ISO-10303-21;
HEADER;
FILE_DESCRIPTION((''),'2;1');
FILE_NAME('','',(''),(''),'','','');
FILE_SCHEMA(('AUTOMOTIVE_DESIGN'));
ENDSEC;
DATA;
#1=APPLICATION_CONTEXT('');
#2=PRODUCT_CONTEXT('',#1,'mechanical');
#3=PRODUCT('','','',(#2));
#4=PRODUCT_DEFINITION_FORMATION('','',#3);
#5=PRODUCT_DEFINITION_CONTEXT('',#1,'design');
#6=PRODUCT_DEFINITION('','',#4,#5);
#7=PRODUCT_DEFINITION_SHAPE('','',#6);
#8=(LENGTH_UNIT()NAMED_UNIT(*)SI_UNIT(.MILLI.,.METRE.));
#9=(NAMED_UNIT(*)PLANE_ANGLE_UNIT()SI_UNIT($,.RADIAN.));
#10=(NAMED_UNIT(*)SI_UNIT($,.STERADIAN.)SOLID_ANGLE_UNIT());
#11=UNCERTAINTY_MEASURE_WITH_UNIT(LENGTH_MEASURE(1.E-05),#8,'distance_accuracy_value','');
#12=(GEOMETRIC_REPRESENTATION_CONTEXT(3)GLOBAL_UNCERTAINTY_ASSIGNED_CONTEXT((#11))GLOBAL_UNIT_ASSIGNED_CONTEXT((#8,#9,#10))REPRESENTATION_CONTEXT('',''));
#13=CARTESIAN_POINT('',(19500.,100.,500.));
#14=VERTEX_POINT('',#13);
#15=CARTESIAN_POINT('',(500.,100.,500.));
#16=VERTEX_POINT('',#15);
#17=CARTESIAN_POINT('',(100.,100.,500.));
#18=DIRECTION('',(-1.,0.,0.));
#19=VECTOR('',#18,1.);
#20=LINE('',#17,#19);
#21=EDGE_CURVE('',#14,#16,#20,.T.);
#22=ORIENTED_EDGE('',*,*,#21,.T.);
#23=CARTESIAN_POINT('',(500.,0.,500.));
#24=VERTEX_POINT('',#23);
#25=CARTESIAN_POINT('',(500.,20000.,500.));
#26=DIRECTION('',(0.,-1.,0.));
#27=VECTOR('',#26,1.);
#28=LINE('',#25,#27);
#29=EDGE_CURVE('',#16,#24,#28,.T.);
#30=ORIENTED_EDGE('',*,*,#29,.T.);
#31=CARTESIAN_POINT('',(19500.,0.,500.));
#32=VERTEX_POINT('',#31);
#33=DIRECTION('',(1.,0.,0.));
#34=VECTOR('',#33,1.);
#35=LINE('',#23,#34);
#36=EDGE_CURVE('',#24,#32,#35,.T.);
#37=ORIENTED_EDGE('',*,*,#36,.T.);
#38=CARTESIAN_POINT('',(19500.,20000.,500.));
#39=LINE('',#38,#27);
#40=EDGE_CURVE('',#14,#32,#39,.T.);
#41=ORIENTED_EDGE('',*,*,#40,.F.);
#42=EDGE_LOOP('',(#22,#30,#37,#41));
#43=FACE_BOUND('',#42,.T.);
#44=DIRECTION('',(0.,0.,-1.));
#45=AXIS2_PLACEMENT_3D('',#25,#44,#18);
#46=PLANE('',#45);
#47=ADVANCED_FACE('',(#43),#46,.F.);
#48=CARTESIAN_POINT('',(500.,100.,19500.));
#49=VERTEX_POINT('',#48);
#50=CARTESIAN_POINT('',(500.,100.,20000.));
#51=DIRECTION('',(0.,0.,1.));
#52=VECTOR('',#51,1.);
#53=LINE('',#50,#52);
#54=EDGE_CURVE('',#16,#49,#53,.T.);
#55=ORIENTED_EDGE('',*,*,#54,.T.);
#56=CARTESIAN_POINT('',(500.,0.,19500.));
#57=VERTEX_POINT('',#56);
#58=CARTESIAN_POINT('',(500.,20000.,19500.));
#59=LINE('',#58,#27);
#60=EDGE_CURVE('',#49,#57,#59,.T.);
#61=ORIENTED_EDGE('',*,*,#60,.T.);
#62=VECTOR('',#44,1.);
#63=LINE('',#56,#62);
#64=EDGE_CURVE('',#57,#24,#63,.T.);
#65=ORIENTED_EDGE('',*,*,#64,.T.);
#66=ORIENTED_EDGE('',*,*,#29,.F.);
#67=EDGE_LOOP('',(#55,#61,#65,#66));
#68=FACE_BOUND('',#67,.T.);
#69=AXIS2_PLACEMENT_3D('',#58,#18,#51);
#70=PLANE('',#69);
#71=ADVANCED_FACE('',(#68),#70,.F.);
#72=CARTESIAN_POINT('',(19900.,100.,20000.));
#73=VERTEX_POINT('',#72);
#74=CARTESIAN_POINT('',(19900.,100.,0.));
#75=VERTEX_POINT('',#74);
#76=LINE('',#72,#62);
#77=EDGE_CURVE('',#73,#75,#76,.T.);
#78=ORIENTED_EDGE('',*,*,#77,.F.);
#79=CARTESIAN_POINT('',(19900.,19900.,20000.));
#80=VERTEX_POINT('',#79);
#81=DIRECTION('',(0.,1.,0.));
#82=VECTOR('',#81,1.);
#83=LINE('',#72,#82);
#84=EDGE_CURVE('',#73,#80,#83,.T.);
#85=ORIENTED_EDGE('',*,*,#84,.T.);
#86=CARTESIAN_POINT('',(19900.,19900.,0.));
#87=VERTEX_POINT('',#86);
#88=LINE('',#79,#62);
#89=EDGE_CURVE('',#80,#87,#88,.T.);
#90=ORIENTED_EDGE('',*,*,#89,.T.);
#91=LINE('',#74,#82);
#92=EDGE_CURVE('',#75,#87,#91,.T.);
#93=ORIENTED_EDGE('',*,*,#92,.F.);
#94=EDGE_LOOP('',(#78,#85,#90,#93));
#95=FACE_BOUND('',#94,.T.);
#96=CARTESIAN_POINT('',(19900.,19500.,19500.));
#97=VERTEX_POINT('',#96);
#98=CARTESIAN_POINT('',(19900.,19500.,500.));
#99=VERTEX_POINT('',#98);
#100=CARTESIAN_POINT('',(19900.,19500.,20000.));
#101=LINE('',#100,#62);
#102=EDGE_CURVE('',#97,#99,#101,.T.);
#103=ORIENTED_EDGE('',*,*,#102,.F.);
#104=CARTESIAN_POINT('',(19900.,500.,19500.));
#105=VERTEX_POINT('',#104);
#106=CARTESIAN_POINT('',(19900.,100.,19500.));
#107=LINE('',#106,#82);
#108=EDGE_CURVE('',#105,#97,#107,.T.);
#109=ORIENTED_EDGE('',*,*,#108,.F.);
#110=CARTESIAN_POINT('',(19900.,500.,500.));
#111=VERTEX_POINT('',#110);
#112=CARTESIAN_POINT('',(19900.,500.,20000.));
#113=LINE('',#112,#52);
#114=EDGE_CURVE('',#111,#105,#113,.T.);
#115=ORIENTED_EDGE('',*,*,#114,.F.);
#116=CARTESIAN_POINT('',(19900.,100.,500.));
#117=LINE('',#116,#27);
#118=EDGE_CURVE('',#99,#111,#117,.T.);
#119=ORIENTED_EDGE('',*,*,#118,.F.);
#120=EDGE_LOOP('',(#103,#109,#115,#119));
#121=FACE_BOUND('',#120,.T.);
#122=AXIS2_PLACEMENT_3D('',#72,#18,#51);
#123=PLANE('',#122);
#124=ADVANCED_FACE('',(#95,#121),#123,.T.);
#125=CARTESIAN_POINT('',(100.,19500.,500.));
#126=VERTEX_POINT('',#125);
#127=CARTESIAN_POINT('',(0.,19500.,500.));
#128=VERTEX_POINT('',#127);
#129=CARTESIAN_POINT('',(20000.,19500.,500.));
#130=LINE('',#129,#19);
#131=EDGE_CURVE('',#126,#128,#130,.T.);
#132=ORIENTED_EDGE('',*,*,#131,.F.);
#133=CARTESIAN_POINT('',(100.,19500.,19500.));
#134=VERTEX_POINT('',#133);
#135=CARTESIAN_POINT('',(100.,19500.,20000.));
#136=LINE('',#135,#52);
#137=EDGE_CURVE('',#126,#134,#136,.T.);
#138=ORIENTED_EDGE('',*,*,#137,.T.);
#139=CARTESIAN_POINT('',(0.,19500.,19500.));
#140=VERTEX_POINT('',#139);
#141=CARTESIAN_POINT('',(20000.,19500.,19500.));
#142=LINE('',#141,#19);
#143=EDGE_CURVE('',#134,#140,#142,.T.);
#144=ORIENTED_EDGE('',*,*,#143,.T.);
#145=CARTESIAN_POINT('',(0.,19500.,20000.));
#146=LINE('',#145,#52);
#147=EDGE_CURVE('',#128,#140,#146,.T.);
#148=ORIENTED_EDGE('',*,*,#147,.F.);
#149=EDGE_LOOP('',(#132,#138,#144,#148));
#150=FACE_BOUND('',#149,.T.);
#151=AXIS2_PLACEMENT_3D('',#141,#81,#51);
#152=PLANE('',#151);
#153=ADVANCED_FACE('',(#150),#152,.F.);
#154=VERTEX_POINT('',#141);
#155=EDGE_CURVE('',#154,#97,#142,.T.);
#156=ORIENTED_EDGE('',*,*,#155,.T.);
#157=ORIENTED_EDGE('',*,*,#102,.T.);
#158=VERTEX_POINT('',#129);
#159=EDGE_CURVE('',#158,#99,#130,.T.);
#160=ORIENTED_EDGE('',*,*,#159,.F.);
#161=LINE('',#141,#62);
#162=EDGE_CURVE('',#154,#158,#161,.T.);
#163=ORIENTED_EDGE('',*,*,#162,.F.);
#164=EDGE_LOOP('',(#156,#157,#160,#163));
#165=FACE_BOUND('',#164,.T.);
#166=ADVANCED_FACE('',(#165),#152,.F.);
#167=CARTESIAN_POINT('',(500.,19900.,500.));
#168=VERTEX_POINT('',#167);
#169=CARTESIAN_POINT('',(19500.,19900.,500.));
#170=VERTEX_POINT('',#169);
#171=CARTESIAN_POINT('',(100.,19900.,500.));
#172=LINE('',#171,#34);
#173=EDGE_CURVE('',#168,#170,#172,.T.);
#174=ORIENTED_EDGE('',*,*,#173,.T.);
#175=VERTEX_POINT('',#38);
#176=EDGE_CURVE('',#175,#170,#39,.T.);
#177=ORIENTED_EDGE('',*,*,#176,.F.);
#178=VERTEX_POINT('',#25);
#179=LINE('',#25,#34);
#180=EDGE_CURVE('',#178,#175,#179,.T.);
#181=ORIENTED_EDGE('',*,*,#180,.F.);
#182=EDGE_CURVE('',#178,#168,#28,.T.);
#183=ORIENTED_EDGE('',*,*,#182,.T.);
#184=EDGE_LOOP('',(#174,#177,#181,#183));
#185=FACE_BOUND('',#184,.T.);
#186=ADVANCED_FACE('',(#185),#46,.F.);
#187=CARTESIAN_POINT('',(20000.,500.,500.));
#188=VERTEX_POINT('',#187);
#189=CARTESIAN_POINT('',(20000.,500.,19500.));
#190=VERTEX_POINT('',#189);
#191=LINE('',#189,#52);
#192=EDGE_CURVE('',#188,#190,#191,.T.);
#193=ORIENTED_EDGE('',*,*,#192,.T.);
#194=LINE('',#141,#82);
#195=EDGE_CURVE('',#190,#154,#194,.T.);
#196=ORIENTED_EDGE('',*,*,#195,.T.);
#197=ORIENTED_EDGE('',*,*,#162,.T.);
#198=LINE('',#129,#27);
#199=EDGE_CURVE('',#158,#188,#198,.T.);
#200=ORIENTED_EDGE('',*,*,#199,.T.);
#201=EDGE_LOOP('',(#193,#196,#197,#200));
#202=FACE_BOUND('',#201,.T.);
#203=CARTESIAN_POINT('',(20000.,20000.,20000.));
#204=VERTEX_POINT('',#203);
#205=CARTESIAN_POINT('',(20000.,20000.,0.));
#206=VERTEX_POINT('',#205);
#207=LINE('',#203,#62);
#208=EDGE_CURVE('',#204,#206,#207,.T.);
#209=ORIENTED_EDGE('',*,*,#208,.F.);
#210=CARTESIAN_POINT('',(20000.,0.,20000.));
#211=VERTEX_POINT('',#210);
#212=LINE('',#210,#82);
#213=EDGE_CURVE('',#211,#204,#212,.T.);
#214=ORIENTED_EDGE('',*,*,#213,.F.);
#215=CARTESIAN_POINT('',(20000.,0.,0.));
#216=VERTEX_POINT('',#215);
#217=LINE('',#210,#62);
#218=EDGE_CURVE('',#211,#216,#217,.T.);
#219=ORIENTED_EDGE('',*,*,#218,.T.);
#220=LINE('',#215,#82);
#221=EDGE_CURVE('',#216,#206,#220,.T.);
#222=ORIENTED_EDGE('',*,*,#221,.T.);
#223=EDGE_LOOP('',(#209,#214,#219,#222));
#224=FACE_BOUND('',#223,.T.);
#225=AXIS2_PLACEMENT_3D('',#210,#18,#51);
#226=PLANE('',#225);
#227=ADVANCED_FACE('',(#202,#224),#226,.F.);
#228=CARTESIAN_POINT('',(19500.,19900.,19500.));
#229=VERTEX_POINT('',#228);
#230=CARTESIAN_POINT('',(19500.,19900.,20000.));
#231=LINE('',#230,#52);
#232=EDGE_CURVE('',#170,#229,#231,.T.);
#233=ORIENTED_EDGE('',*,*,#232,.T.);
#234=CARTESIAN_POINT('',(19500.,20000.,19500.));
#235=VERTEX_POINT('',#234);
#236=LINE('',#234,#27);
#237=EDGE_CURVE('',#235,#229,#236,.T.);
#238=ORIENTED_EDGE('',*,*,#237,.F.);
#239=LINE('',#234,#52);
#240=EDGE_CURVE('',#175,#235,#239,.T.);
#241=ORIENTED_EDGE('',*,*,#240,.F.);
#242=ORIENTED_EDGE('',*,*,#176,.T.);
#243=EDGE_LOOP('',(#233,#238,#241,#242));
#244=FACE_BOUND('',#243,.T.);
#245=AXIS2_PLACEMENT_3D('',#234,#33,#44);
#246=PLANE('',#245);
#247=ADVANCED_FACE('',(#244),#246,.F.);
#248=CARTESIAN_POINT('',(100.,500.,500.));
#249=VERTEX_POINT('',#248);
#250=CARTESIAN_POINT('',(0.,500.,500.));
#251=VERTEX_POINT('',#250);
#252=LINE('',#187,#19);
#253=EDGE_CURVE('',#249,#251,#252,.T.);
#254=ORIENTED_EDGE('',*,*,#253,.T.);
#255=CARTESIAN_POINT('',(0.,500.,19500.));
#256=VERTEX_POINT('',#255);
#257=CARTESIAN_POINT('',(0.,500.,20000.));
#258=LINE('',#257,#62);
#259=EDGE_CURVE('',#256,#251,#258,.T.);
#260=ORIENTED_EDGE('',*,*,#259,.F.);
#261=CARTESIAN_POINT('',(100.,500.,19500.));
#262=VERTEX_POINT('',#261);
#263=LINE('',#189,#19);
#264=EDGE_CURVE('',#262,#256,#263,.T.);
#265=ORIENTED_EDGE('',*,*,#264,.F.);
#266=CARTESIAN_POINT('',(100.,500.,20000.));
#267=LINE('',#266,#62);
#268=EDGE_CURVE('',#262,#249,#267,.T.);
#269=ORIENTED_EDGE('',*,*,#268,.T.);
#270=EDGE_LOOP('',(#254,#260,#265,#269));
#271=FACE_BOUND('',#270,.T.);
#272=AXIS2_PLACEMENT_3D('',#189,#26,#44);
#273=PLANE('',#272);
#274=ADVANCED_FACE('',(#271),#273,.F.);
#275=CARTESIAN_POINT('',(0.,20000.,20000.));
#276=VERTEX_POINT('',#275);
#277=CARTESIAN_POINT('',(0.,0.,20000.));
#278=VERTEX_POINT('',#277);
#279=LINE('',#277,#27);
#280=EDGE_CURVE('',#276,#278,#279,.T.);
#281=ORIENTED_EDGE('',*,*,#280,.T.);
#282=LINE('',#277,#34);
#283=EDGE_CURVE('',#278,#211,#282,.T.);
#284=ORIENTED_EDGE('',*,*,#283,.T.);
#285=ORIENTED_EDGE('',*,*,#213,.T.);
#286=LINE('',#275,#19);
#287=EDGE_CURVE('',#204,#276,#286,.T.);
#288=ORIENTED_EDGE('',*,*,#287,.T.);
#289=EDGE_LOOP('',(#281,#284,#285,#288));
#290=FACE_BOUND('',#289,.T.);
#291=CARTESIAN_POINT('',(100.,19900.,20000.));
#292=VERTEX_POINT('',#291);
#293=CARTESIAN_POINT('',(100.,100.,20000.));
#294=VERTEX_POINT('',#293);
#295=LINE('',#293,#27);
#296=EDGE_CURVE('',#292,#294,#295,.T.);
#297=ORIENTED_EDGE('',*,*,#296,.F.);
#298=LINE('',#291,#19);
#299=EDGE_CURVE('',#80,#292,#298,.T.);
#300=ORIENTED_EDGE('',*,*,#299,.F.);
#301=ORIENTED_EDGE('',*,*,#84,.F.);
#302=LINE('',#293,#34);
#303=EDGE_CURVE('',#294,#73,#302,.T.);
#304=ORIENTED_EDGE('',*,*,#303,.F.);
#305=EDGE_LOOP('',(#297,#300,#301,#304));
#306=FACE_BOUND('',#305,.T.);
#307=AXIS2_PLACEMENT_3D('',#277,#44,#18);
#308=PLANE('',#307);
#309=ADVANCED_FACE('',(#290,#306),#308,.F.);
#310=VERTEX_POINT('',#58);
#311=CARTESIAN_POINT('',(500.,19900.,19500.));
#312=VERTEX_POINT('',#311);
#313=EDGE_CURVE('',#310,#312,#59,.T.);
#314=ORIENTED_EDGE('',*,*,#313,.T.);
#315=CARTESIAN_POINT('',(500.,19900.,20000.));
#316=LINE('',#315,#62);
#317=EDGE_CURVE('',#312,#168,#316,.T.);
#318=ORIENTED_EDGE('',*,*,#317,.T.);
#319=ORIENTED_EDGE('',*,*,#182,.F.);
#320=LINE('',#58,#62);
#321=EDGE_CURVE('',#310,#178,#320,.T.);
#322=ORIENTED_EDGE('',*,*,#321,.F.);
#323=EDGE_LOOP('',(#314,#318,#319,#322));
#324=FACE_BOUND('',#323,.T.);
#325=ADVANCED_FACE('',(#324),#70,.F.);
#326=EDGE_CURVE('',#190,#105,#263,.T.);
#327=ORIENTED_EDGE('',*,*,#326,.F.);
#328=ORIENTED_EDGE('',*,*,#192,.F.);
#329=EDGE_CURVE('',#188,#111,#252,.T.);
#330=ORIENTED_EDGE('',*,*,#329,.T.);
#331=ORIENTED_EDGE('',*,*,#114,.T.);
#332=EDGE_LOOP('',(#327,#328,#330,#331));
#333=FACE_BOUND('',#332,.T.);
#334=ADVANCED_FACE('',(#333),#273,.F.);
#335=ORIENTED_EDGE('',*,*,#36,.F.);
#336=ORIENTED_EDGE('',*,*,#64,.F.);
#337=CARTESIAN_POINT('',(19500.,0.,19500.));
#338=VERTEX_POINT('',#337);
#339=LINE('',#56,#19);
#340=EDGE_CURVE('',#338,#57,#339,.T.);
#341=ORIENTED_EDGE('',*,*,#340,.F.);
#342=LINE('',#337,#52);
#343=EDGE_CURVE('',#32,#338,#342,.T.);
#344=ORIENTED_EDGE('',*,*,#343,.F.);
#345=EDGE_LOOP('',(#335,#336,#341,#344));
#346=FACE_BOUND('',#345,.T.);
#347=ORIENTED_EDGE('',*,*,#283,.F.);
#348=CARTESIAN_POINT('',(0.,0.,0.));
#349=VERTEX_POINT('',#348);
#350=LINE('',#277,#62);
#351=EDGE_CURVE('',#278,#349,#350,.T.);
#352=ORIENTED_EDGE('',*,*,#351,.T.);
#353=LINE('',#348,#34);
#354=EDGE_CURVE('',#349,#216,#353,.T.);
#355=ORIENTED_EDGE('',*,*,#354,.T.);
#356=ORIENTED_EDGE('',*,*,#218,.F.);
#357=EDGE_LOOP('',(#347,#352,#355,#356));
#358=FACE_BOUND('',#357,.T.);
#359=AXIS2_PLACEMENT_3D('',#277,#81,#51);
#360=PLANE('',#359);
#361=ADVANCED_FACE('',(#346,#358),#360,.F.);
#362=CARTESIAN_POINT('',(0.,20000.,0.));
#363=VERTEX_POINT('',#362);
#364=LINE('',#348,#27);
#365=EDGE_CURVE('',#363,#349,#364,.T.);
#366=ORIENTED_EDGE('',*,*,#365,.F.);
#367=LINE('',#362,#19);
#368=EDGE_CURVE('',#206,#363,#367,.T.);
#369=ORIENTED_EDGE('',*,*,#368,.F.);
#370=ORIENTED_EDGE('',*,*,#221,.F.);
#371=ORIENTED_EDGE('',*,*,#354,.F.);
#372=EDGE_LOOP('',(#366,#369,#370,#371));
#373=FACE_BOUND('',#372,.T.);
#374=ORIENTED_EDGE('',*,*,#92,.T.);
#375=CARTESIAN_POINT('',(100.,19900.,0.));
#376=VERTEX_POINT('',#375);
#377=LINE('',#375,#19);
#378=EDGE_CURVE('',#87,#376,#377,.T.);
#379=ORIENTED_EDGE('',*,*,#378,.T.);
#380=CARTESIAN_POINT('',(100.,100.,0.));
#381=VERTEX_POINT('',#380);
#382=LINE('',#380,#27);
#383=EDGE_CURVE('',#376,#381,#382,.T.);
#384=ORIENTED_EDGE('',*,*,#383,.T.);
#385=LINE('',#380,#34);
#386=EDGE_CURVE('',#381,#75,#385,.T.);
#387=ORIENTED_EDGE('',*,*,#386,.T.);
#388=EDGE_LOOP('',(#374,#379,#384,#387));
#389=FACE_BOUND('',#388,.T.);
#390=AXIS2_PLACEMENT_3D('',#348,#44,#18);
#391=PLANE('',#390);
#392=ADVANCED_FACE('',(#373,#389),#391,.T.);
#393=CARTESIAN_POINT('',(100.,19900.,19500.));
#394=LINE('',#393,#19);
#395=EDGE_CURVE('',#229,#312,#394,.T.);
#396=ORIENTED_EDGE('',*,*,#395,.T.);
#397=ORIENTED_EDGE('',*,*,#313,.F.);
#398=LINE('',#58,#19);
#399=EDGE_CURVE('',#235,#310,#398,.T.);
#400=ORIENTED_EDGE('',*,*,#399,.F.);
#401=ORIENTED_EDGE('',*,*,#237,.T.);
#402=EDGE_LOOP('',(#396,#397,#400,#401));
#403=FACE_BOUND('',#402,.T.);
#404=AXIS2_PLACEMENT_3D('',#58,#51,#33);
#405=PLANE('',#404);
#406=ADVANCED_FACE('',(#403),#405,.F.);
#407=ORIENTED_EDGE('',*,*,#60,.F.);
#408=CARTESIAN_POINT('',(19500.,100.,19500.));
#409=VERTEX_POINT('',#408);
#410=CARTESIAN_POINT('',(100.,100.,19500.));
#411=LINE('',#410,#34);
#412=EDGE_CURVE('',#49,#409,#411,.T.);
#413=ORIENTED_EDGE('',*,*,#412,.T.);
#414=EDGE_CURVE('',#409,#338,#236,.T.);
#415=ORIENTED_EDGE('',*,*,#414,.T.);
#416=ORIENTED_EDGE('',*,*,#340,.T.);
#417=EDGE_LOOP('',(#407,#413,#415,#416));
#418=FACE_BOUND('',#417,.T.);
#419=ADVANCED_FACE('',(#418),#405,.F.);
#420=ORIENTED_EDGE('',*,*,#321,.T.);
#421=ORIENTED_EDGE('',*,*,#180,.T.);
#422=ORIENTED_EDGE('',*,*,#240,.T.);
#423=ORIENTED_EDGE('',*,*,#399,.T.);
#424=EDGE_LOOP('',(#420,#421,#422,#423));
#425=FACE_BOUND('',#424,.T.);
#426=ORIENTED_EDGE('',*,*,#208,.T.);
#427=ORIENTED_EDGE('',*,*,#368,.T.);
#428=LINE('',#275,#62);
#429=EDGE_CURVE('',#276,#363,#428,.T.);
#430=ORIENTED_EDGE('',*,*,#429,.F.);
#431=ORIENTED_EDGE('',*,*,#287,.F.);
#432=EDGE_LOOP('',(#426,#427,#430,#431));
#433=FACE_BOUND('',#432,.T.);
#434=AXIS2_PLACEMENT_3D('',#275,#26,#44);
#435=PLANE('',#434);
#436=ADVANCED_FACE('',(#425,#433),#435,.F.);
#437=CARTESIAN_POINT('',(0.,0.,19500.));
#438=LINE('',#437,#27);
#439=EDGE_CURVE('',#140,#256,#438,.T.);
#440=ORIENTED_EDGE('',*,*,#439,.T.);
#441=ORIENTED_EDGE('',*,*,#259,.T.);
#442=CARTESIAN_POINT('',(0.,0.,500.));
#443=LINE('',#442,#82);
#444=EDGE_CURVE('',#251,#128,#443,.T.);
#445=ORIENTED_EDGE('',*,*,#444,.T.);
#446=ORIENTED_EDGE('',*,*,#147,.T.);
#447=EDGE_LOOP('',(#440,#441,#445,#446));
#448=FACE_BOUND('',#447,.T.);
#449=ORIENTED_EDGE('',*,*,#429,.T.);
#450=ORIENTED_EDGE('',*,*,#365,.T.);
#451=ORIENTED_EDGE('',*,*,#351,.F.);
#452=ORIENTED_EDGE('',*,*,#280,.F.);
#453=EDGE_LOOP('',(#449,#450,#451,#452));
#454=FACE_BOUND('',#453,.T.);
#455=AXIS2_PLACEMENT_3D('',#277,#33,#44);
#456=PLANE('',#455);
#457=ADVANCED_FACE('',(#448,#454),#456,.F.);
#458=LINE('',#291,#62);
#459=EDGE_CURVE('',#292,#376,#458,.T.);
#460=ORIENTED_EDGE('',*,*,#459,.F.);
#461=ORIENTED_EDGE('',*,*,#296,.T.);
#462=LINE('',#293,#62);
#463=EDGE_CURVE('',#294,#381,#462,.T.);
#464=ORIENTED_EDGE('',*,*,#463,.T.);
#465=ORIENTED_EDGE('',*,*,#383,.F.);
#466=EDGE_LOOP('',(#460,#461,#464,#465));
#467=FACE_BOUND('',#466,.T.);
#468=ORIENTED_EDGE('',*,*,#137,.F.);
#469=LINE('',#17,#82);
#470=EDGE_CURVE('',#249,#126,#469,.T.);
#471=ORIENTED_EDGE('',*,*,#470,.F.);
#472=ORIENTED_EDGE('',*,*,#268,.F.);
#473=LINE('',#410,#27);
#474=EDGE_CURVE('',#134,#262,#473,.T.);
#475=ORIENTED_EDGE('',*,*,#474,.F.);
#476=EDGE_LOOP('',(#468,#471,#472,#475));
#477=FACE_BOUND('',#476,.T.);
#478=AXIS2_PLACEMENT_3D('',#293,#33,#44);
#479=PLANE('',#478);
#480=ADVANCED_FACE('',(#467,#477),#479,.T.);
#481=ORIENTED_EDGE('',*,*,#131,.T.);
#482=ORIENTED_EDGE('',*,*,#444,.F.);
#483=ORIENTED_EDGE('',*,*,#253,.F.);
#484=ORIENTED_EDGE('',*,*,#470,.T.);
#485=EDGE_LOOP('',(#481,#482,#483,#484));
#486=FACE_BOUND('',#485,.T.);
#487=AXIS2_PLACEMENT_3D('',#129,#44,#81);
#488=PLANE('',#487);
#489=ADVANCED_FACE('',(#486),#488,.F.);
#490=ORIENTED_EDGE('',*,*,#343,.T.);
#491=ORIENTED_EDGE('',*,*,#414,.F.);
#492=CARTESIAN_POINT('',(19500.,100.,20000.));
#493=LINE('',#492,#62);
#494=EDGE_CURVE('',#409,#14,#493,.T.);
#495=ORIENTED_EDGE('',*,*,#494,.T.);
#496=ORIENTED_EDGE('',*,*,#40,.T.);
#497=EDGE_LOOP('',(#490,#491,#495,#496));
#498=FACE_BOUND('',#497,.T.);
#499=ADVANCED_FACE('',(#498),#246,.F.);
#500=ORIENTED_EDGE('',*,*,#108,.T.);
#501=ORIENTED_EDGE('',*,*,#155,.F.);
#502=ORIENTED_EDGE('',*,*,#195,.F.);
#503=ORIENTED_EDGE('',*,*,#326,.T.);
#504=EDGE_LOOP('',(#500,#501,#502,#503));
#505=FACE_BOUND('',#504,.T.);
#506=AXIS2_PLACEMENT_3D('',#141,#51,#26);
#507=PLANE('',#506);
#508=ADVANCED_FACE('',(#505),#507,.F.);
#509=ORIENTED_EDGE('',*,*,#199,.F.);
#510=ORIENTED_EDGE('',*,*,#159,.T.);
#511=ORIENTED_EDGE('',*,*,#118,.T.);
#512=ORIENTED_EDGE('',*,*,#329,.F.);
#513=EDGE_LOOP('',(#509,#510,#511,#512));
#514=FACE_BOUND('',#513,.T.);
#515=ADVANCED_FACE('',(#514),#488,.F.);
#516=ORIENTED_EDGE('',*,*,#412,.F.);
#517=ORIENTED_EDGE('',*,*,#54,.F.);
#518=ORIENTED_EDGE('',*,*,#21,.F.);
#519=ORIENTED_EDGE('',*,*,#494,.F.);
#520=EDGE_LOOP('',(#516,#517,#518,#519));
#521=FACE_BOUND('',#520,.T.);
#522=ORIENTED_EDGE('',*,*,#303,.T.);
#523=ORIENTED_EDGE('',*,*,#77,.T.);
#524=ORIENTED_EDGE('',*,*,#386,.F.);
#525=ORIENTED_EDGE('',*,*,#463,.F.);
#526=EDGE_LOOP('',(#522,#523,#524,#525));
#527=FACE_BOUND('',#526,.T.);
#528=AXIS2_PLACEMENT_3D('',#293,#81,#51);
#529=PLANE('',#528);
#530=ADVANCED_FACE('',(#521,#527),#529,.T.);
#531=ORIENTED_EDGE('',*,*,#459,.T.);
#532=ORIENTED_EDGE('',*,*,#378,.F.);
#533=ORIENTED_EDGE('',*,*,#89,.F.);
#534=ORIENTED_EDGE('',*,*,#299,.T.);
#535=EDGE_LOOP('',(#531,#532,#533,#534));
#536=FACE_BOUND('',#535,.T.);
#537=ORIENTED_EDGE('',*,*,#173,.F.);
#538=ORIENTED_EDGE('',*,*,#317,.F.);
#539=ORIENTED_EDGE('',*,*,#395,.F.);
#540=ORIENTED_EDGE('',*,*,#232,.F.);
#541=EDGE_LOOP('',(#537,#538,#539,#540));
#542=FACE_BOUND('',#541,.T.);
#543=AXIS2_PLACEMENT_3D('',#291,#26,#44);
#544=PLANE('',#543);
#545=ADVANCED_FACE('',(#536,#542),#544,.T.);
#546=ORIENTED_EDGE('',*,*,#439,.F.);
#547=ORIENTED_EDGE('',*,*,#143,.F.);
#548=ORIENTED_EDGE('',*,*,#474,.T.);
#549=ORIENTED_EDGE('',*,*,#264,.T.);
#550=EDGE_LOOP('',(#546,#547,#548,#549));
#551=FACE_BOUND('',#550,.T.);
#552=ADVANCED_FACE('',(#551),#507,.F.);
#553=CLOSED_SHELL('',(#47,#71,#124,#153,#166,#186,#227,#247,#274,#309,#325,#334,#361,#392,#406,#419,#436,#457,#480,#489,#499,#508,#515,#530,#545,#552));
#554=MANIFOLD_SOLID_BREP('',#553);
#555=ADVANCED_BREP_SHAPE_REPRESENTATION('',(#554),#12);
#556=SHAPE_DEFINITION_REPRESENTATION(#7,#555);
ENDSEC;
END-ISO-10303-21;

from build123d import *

# Parameters (mm, degrees)
SKETCH3_W               = 20000
SKETCH3_H               = 20000
SKETCH3_W_2             = 19800
SKETCH3_H_2             = 19800
BOSS_EXTRUDE1_DEPTH     = 20000
SKETCH4_W               = 19000
SKETCH4_H               = 19000
CUT_EXTRUDE1_DEPTH      = 1
CUT_EXTRUDE1_DEPTH_BACK = 20001
SKETCH5_W               = 19000
SKETCH5_H               = 19000
CUT_EXTRUDE2_DEPTH      = 20000


with BuildPart() as part:
    # Sketch3 → Boss-Extrude1 (new body)
    with BuildSketch(Plane.XY):
        with Locations((10000, 10000)):
            Rectangle(SKETCH3_W, SKETCH3_H)
        with Locations((10000, 10000)):
            Rectangle(SKETCH3_W_2, SKETCH3_H_2, mode=Mode.SUBTRACT)
    extrude(amount=BOSS_EXTRUDE1_DEPTH)

    # Sketch4 → Cut-Extrude1 (cut, two sides)
    with BuildSketch(Plane.ZY) as cut_extrude1_sk:
        with Locations((10000, 10000)):
            Rectangle(SKETCH4_W, SKETCH4_H)
    extrude(amount=CUT_EXTRUDE1_DEPTH, mode=Mode.SUBTRACT)
    extrude(cut_extrude1_sk.sketch, amount=-CUT_EXTRUDE1_DEPTH_BACK, mode=Mode.SUBTRACT)

    # Sketch5 → Cut-Extrude2 (cut)
    with BuildSketch(Plane.XZ):
        with Locations((10000, 10000)):
            Rectangle(SKETCH5_W, SKETCH5_H)
    extrude(amount=-CUT_EXTRUDE2_DEPTH, mode=Mode.SUBTRACT)


solid = part.part
